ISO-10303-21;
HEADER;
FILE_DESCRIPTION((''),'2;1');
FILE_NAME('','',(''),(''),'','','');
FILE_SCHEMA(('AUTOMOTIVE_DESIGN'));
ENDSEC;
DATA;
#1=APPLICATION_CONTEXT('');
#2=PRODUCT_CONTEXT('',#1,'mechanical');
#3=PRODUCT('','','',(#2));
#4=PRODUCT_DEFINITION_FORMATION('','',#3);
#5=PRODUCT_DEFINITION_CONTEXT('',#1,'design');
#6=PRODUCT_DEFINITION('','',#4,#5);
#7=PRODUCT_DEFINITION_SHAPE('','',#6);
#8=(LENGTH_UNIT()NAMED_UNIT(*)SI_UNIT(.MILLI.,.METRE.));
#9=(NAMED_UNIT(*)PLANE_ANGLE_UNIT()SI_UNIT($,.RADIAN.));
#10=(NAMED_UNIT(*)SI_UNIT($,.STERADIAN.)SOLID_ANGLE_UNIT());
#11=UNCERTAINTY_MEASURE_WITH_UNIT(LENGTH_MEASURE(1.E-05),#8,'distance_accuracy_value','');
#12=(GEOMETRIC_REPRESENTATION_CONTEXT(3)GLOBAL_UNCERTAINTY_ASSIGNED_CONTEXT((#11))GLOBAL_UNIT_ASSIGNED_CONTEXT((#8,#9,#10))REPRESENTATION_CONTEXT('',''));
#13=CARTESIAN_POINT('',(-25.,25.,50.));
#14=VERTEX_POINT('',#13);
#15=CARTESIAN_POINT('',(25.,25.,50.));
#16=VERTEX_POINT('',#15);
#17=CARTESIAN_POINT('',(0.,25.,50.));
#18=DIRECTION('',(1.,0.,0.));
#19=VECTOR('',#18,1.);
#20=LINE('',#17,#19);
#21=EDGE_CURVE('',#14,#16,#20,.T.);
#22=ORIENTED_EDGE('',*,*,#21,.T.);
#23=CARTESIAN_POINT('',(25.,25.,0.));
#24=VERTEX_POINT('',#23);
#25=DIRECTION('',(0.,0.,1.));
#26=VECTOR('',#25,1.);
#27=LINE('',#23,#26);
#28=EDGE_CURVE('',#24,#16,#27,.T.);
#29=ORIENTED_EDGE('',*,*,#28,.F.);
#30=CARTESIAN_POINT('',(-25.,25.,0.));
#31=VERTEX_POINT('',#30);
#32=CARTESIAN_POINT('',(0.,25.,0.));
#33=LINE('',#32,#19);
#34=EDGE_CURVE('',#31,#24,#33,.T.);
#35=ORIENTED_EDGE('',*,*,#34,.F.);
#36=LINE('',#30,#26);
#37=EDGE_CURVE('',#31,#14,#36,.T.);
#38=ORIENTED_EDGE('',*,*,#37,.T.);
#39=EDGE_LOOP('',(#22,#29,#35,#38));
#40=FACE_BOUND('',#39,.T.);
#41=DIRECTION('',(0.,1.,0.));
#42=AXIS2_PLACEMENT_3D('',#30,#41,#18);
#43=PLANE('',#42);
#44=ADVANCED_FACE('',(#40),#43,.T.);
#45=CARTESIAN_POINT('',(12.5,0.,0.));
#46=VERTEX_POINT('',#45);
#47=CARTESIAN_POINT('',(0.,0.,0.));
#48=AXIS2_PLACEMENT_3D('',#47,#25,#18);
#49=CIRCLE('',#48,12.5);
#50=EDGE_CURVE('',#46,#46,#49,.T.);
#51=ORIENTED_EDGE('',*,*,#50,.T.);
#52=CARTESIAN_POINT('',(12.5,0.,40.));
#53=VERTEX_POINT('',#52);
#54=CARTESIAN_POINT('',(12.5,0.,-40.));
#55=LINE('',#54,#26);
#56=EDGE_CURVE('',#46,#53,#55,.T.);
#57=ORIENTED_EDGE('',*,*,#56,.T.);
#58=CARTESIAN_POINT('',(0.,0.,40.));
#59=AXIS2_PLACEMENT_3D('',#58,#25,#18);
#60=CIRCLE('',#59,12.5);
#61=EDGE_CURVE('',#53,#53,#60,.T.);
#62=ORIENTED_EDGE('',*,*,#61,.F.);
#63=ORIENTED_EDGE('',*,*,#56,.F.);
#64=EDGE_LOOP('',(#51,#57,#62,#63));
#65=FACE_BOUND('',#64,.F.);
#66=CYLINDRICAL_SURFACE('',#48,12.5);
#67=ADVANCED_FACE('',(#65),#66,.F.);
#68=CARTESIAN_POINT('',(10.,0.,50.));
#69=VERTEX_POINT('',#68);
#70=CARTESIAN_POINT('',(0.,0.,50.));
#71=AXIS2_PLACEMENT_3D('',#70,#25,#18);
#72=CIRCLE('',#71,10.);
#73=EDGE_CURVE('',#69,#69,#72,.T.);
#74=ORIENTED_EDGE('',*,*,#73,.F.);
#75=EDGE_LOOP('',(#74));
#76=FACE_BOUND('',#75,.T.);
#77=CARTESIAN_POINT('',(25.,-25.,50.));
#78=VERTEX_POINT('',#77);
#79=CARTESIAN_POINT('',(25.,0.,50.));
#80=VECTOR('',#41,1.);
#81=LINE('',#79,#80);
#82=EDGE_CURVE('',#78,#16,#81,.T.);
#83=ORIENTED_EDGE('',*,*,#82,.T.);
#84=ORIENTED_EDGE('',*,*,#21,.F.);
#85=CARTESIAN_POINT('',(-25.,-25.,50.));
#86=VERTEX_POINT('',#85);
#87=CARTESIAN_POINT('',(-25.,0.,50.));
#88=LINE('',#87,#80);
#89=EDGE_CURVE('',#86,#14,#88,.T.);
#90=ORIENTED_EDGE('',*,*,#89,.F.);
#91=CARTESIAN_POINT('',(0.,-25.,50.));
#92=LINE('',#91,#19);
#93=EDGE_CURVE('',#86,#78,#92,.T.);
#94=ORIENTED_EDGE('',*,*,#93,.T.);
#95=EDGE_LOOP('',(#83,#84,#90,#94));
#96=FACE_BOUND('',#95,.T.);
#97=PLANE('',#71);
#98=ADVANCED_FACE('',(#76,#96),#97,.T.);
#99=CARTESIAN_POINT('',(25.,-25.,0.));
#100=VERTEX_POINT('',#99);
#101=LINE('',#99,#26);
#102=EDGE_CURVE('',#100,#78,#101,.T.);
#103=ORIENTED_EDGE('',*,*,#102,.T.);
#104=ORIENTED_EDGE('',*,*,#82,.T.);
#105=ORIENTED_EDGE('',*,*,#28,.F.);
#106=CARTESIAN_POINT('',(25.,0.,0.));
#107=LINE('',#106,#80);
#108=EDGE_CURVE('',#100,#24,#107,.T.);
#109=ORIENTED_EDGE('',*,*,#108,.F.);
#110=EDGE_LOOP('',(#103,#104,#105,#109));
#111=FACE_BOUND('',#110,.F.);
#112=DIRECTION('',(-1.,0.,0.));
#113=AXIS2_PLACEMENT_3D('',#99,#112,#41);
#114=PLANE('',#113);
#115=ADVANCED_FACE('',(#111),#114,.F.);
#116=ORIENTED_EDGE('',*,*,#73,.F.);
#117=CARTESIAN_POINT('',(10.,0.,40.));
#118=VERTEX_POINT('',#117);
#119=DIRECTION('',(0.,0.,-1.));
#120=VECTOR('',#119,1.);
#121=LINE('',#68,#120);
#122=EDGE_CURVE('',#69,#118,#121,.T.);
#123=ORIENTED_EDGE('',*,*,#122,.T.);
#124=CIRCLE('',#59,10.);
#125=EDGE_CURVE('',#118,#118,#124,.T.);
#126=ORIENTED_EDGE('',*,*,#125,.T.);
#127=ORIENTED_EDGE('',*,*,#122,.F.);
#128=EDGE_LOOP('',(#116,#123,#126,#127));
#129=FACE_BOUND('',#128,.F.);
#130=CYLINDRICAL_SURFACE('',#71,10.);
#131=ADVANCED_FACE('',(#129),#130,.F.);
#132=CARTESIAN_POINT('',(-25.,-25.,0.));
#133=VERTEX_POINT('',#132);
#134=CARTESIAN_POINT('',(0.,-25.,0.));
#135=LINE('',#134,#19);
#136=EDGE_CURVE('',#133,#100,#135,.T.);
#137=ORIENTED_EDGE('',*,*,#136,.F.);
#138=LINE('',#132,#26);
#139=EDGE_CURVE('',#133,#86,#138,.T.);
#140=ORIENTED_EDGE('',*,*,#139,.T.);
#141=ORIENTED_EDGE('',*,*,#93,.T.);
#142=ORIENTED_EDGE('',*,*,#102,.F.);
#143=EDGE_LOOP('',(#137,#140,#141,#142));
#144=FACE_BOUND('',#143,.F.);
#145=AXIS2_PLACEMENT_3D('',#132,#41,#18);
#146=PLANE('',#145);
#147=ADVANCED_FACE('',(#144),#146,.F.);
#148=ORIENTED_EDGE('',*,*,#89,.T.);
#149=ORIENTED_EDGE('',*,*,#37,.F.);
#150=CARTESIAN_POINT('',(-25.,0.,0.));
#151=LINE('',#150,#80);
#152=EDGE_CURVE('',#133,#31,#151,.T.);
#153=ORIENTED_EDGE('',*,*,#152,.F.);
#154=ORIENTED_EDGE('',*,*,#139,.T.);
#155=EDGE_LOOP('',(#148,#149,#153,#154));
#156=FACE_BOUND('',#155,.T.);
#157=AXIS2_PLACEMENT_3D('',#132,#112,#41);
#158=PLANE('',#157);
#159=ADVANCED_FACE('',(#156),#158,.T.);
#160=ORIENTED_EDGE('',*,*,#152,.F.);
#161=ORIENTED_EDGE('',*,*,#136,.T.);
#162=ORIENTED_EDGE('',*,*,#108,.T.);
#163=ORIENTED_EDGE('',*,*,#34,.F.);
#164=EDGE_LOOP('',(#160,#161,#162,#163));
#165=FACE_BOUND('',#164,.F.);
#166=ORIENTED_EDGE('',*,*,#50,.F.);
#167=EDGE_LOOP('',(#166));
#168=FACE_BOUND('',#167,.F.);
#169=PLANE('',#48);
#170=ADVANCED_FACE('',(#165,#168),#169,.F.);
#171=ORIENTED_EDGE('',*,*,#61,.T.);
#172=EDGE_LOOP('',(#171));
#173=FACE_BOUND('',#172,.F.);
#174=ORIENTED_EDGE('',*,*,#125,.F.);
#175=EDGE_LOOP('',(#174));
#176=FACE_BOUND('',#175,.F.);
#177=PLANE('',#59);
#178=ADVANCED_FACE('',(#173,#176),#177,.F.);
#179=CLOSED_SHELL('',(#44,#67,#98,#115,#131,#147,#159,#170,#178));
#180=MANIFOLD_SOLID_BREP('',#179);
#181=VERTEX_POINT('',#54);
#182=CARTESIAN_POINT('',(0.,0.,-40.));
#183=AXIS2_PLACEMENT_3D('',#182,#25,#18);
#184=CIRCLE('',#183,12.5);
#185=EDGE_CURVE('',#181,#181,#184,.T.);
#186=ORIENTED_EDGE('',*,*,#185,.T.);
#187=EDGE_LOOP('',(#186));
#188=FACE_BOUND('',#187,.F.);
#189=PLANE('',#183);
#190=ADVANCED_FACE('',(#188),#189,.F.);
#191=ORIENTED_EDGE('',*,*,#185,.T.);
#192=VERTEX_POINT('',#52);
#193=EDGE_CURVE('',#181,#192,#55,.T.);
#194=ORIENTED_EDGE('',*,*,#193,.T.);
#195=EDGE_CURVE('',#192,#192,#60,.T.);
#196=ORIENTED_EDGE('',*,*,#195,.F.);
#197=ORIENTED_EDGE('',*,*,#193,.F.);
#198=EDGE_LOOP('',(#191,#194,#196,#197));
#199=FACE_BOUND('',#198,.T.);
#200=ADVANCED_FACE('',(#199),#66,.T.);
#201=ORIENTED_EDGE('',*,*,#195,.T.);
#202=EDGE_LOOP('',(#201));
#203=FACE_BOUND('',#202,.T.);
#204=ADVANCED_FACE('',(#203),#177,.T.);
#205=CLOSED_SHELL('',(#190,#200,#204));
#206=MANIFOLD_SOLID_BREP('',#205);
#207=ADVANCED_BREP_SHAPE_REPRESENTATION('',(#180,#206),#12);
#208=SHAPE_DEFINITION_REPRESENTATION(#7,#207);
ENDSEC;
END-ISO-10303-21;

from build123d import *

# Parameters (mm, degrees)
F0_W     = 50
F0_H     = 50
F1_DEPTH = 50
F2_R     = 10
F3_DEPTH = 25
F4_R     = 12.5
F5_DEPTH = 40


with BuildPart() as f1:
    # F0 (on Top) → F1 (new body)
    with BuildSketch(Plane.XY):
        Rectangle(F0_W, F0_H)
    extrude(amount=F1_DEPTH)

    # F2 (on face) → F3 (cut)
    with BuildSketch(Plane.XY.offset(50)):
        Circle(F2_R)
    extrude(amount=-F3_DEPTH, mode=Mode.SUBTRACT)


with BuildPart() as f5:
    # F4 (on Top) → F5 (new body, symmetric)
    with BuildSketch(Plane.XY):
        Circle(F4_R)
    extrude(amount=F5_DEPTH, both=True)


with BuildPart() as f1_1:
    add(f1.part)

    # F6: cut F5
    add(f5.part, mode=Mode.SUBTRACT)


solid = Compound([f5.part, f1_1.part])
